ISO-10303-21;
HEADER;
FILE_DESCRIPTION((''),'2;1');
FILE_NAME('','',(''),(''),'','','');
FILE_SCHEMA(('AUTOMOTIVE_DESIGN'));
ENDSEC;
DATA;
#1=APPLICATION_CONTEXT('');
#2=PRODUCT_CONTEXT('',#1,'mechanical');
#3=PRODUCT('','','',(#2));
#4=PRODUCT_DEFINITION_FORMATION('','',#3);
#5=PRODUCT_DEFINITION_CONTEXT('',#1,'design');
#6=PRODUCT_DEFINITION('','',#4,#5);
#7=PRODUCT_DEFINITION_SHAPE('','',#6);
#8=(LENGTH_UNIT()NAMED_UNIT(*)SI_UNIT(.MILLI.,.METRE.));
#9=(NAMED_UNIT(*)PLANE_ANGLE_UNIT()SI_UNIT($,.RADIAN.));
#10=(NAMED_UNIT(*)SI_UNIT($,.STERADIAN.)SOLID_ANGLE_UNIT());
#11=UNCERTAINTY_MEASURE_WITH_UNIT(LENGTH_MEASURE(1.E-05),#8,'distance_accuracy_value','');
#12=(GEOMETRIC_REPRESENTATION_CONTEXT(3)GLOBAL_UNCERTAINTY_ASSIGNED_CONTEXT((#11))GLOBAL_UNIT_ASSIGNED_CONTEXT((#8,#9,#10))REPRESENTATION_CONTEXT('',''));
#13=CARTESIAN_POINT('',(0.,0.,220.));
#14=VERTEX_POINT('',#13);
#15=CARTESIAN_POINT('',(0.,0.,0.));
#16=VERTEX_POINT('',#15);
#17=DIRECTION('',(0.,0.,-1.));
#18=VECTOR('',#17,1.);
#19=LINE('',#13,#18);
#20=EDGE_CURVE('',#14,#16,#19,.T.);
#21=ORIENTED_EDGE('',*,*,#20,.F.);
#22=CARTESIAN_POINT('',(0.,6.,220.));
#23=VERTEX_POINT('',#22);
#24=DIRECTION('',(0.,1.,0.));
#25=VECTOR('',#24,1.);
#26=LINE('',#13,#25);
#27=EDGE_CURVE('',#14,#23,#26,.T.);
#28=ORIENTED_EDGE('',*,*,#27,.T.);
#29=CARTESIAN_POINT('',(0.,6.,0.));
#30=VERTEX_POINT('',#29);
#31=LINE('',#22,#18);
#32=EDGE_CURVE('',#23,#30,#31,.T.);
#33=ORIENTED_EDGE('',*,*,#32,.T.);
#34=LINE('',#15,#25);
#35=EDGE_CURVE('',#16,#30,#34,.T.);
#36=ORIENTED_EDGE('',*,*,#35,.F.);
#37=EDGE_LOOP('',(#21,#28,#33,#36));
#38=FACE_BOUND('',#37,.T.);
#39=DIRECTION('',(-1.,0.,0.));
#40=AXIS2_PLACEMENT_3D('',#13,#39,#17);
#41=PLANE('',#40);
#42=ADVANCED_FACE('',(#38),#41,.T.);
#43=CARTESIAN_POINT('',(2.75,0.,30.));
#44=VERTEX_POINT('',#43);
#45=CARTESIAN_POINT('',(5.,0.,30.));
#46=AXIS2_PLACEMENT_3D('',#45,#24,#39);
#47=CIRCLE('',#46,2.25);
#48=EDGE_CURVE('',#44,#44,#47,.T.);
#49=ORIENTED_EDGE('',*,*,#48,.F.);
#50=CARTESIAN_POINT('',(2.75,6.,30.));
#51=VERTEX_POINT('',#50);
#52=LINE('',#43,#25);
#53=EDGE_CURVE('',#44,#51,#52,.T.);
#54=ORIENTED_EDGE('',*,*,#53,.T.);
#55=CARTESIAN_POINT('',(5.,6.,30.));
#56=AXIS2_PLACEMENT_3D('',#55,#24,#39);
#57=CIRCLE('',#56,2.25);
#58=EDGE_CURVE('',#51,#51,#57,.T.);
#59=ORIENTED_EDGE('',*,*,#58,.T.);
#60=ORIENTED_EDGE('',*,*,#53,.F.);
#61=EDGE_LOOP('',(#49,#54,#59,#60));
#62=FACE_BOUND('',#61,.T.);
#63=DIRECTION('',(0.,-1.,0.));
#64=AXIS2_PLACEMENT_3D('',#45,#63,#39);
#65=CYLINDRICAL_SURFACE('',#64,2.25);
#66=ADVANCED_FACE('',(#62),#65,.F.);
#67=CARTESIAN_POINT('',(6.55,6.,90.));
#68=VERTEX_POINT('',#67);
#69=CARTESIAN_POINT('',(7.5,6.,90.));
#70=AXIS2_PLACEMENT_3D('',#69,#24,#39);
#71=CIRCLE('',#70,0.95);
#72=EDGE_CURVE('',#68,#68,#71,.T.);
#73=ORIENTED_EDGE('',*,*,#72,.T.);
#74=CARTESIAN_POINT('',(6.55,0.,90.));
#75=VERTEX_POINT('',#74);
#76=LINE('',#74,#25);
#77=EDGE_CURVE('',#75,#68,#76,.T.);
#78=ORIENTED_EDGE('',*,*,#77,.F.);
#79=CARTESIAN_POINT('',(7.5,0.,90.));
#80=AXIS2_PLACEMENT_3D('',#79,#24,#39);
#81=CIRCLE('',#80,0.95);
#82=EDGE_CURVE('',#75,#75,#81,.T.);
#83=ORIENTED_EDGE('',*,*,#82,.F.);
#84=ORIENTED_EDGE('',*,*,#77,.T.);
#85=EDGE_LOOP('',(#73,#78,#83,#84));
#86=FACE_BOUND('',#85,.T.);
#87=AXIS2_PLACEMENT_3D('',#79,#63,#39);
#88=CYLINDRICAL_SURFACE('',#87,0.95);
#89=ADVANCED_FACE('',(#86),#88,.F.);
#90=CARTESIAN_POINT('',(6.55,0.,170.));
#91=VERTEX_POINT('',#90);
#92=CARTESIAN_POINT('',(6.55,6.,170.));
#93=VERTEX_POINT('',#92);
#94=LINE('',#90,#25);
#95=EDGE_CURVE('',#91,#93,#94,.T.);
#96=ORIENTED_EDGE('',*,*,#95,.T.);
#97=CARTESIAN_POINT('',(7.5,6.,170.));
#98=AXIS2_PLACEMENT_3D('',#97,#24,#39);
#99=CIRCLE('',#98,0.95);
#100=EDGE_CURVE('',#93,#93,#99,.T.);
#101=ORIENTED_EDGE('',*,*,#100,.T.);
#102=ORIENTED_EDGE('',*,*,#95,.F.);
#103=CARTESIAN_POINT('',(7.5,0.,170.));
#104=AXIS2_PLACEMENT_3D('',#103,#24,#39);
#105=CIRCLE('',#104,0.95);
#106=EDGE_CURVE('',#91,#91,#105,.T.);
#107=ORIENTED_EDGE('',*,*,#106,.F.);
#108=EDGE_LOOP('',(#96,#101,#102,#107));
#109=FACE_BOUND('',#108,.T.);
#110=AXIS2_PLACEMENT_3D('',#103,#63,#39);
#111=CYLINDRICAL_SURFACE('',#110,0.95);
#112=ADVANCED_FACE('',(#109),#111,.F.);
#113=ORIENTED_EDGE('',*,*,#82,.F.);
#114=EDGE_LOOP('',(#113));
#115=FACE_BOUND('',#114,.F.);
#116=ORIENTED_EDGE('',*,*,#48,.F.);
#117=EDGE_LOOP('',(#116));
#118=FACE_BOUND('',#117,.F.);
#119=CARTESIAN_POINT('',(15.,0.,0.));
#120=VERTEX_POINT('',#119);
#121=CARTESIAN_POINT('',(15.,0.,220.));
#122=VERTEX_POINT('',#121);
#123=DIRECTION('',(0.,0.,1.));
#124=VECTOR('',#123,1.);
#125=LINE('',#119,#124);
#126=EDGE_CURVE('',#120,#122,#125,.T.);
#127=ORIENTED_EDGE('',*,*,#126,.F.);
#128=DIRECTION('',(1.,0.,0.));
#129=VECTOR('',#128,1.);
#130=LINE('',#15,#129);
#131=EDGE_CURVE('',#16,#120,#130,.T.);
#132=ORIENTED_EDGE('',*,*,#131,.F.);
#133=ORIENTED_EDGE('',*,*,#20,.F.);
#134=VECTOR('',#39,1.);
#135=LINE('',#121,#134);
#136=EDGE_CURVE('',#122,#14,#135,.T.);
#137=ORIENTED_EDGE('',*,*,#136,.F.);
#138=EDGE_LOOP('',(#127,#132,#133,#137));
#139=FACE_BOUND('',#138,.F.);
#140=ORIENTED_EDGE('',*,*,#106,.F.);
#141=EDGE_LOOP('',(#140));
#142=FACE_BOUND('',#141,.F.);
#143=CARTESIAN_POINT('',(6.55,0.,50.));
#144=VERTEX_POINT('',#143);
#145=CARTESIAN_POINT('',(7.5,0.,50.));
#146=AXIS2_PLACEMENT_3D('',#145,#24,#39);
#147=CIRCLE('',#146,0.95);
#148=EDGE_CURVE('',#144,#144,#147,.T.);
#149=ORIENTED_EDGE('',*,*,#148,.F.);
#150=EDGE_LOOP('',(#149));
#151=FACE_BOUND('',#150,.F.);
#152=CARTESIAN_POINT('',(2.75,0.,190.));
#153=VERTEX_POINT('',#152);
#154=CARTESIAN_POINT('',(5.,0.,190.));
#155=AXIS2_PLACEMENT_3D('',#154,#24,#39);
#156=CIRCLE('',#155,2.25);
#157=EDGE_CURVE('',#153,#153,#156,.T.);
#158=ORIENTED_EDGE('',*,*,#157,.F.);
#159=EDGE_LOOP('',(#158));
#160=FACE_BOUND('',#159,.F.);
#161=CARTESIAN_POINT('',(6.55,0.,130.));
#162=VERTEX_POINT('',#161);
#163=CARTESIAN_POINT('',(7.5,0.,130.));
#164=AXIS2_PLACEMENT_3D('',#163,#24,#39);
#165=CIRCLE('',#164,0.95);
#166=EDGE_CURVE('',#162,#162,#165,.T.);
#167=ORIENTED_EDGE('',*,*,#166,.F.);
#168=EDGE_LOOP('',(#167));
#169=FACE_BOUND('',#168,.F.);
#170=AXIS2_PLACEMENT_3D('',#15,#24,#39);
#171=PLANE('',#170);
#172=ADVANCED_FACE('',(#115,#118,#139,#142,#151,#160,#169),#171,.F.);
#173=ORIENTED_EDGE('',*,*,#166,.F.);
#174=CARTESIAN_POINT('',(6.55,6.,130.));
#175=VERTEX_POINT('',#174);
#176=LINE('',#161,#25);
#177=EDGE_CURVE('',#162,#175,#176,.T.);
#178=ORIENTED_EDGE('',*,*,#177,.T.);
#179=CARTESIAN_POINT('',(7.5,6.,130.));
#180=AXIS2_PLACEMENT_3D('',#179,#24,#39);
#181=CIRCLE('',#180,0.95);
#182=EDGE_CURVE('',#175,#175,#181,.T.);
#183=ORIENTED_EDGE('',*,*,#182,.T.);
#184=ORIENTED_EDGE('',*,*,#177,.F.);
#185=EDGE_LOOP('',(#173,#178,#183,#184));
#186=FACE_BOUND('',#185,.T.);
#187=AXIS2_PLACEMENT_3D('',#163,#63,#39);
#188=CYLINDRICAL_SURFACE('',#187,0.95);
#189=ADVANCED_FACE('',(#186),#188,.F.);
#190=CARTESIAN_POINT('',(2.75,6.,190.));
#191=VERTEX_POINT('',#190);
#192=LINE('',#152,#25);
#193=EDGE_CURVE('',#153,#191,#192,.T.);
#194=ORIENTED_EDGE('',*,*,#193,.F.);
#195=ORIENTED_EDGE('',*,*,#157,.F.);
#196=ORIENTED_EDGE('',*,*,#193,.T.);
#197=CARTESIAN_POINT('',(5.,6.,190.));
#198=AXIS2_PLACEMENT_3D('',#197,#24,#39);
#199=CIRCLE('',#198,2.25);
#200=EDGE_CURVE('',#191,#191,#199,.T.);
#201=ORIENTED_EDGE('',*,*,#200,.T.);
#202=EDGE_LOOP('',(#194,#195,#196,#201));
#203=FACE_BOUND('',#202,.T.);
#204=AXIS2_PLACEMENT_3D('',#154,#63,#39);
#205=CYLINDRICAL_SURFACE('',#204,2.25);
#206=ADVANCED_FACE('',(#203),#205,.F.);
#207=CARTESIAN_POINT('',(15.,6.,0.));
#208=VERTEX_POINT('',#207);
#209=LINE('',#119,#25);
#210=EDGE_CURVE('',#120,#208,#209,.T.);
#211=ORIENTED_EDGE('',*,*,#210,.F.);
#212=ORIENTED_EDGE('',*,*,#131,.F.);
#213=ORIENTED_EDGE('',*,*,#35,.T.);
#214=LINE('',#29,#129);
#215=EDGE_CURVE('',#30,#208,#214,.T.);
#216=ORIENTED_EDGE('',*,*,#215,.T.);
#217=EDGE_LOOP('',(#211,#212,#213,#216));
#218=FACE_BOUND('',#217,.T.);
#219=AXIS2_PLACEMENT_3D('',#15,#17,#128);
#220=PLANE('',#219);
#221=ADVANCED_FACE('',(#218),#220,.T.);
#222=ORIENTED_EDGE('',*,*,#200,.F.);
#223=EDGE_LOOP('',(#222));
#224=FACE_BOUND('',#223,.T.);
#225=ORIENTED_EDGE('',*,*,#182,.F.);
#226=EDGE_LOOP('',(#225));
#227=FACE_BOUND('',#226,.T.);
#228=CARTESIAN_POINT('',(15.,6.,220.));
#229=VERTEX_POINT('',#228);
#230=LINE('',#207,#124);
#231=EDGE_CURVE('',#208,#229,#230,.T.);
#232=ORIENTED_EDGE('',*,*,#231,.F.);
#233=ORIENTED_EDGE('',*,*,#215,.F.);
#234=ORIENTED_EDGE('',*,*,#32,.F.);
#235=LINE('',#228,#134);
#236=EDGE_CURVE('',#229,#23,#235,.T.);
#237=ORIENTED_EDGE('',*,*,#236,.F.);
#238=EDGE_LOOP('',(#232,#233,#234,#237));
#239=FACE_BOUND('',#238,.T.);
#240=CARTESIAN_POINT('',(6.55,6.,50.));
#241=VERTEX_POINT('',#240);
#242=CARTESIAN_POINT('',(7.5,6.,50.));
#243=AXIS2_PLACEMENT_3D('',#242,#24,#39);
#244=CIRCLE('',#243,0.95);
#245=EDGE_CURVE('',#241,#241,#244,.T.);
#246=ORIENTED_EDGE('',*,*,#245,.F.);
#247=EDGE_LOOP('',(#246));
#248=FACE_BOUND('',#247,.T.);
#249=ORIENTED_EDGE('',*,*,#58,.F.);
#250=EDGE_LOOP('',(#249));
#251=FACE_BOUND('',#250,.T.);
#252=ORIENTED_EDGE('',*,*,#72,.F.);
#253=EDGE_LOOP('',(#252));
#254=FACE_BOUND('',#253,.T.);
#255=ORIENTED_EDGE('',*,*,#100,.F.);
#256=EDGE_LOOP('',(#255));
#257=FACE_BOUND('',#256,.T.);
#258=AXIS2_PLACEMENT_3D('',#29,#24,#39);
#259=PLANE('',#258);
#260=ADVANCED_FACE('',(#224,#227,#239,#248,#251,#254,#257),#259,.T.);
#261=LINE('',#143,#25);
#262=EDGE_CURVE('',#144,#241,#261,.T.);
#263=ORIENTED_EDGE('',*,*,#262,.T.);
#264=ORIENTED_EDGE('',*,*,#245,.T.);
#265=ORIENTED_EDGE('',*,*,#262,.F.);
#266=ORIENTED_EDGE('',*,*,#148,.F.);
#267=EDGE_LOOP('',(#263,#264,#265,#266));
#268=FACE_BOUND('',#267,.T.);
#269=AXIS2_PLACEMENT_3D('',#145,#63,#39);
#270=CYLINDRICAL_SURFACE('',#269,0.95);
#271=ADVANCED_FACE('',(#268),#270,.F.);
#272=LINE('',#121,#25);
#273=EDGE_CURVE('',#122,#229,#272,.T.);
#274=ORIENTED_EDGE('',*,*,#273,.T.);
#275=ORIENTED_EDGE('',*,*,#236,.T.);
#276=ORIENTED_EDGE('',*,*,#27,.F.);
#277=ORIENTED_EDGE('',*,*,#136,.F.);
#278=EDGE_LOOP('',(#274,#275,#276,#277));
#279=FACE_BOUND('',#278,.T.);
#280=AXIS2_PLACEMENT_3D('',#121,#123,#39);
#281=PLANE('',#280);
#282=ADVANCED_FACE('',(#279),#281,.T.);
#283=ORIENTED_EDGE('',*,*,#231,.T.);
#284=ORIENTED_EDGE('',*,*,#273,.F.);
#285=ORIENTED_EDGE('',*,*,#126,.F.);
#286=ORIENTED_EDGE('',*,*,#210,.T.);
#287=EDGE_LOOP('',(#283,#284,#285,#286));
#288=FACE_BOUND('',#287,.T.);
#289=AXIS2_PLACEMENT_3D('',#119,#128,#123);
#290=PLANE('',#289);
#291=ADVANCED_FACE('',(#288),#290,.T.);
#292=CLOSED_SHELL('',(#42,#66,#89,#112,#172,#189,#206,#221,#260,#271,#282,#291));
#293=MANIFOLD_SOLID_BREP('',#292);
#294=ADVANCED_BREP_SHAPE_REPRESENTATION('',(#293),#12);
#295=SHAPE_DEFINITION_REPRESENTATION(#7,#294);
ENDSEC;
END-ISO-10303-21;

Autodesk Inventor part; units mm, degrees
ref_plane "YZ Plane" through (0, 0, 0) normal (1, 0, 0) x (0, 1, 0)
ref_plane "XZ Plane" through (0, 0, 0) normal (0, 1, 0) x (-1, 0, 0)
ref_plane "XY Plane" through (0, 0, 0) normal (0, 0, 1) x (1, 0, 0)
sketch "Sketch2" plane through (0, 0, 0) normal (0, 1, 0) x (-1, 0, 0)
  line L0 (0, 0) -> (-15, 0)
  line L1 (-15, 0) -> (-15, 220)
  line L2 (-15, 220) -> (0, 220)
  line L3 (0, 220) -> (0, 0)
  circle A0 centre (-5, 30) radius 2.25
  circle A1 centre (-5, 190) radius 2.25
  circle A2 centre (-7.5, 50) radius 0.95
  circle A3 centre (-7.5, 90) radius 0.95
  circle A4 centre (-7.5, 130) radius 0.95
  circle A5 centre (-7.5, 170) radius 0.95
  dimension "d92" = 10
  dimension "d76" = 15
  dimension "d78" = 30
  dimension "d80" = 5
  dimension "d81" = 4.5
  dimension "d82" = 30
  dimension "d83" = 220
  dimension "d84" = 1.9
  dimension "d85" = 7.5
  dimension "d86" = 20
  dimension "d89" = 40
extrude "Extrusion2" add sketch "Sketch2" along normal blind 6
properties part number "phone_holder_botom_insert" material "Acrylic, Clear"
